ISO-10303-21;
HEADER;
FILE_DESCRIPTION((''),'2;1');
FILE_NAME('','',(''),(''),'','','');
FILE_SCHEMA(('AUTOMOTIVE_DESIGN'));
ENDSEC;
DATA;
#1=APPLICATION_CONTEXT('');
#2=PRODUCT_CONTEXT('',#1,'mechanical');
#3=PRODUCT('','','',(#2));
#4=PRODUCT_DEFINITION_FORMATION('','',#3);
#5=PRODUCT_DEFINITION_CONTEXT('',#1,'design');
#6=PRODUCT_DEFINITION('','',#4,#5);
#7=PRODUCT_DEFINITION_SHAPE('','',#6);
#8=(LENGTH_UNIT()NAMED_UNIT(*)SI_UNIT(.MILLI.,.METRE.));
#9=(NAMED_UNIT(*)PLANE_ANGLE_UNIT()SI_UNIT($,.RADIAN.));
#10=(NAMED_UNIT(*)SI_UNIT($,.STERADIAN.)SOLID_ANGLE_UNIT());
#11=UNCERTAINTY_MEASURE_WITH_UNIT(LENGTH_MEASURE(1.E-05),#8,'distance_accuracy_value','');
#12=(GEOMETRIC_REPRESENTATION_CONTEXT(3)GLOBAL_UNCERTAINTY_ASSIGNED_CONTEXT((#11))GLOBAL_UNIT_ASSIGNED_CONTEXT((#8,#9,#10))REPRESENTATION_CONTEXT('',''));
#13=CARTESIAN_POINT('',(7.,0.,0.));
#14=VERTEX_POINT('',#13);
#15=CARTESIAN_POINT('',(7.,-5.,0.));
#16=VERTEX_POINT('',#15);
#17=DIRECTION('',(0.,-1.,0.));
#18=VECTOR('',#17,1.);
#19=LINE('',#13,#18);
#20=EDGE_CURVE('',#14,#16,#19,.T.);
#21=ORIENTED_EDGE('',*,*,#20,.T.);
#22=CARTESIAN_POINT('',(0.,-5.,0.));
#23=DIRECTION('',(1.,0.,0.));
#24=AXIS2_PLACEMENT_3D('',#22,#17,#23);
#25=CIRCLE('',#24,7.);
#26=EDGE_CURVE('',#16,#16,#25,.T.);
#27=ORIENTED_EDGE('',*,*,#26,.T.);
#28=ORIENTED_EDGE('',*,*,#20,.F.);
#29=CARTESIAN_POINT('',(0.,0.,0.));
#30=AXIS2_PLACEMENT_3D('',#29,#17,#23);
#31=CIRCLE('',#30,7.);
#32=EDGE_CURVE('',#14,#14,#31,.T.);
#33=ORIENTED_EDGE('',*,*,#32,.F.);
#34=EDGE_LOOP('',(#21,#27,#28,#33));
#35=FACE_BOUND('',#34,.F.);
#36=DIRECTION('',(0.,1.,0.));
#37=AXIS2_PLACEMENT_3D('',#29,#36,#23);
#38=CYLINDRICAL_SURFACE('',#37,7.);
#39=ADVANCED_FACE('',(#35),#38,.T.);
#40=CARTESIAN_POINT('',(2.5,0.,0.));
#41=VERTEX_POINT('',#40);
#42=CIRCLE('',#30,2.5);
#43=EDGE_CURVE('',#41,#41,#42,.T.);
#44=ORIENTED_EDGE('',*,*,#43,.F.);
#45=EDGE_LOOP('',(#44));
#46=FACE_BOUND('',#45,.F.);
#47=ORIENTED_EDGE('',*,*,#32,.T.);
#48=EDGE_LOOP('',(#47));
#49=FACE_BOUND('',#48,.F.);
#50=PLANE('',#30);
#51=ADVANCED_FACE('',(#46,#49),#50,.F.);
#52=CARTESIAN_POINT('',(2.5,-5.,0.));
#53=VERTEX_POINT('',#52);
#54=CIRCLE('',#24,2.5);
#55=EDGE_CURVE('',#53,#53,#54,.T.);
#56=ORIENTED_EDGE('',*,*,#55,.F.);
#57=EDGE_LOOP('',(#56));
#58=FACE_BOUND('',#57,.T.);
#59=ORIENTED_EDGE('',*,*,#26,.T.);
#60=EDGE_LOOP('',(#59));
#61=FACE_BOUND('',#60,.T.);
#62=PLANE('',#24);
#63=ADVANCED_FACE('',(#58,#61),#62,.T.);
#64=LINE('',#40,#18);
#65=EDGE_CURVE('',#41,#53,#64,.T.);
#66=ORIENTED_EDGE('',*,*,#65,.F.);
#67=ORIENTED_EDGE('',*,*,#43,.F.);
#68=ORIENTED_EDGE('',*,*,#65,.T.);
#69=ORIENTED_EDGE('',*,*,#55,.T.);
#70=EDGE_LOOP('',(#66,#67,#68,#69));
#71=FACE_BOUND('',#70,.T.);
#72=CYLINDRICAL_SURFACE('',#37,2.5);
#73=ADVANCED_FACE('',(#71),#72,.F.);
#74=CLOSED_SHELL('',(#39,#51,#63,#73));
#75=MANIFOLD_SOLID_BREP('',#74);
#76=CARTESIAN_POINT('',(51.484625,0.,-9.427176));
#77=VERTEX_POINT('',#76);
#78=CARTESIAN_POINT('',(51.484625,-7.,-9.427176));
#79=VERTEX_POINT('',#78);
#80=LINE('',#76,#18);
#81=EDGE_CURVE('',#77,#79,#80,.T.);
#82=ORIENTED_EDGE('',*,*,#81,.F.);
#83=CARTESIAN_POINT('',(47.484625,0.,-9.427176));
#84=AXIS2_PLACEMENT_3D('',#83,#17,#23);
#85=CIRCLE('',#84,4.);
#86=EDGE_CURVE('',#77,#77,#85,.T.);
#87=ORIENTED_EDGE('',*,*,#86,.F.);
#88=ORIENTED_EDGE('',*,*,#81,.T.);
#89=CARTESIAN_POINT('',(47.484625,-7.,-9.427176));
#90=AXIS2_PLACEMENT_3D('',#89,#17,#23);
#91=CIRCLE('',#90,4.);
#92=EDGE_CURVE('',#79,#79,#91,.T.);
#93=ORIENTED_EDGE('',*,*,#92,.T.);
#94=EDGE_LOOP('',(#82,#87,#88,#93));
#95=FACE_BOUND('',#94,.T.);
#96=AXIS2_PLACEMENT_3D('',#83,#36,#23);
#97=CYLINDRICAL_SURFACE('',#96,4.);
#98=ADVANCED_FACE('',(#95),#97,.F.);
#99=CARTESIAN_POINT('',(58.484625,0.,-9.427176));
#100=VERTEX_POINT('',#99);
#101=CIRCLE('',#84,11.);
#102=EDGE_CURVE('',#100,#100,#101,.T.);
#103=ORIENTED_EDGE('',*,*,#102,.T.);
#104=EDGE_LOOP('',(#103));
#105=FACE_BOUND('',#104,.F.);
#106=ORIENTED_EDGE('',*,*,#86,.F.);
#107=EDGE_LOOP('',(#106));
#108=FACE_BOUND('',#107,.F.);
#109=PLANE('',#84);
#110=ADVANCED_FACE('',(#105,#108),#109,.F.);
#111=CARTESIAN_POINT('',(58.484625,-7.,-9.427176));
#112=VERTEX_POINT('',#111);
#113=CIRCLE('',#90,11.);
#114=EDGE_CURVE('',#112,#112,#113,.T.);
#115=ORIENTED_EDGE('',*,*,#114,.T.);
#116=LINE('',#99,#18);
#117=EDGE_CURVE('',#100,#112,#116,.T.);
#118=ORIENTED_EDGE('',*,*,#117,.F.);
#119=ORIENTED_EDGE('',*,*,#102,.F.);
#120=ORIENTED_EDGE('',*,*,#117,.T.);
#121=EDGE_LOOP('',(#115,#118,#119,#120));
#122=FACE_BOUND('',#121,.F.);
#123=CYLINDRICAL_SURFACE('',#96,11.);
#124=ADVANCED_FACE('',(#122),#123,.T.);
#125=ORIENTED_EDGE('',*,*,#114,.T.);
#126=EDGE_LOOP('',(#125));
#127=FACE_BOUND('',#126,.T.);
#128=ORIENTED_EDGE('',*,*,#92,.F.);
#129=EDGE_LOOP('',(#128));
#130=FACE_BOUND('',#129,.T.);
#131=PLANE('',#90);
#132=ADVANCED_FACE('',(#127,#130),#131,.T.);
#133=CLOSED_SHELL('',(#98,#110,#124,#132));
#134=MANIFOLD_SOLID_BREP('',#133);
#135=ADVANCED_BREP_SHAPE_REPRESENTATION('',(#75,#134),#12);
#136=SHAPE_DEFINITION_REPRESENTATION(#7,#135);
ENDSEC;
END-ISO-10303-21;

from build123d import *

# Parameters (mm, degrees)
F0_R     = 7
F0_R_2   = 2.5
F1_DEPTH = 5
F0_R_3   = 11
F0_R_4   = 4
F2_DEPTH = 7


with BuildPart() as f1:
    # F0 (on Front) → F1 (new body)
    with BuildSketch(Plane.XZ):
        Circle(F0_R)
        Circle(F0_R_2, mode=Mode.SUBTRACT)
    extrude(amount=F1_DEPTH)


with BuildPart() as f2:
    # F0 (on Front) → F2 (new body)
    with BuildSketch(Plane.XZ):
        with Locations((47.484625, -9.427176)):
            Circle(F0_R_3)
        with Locations((47.484625, -9.427176)):
            Circle(F0_R_4, mode=Mode.SUBTRACT)
    extrude(amount=F2_DEPTH)


solid = Compound([f1.part, f2.part])
